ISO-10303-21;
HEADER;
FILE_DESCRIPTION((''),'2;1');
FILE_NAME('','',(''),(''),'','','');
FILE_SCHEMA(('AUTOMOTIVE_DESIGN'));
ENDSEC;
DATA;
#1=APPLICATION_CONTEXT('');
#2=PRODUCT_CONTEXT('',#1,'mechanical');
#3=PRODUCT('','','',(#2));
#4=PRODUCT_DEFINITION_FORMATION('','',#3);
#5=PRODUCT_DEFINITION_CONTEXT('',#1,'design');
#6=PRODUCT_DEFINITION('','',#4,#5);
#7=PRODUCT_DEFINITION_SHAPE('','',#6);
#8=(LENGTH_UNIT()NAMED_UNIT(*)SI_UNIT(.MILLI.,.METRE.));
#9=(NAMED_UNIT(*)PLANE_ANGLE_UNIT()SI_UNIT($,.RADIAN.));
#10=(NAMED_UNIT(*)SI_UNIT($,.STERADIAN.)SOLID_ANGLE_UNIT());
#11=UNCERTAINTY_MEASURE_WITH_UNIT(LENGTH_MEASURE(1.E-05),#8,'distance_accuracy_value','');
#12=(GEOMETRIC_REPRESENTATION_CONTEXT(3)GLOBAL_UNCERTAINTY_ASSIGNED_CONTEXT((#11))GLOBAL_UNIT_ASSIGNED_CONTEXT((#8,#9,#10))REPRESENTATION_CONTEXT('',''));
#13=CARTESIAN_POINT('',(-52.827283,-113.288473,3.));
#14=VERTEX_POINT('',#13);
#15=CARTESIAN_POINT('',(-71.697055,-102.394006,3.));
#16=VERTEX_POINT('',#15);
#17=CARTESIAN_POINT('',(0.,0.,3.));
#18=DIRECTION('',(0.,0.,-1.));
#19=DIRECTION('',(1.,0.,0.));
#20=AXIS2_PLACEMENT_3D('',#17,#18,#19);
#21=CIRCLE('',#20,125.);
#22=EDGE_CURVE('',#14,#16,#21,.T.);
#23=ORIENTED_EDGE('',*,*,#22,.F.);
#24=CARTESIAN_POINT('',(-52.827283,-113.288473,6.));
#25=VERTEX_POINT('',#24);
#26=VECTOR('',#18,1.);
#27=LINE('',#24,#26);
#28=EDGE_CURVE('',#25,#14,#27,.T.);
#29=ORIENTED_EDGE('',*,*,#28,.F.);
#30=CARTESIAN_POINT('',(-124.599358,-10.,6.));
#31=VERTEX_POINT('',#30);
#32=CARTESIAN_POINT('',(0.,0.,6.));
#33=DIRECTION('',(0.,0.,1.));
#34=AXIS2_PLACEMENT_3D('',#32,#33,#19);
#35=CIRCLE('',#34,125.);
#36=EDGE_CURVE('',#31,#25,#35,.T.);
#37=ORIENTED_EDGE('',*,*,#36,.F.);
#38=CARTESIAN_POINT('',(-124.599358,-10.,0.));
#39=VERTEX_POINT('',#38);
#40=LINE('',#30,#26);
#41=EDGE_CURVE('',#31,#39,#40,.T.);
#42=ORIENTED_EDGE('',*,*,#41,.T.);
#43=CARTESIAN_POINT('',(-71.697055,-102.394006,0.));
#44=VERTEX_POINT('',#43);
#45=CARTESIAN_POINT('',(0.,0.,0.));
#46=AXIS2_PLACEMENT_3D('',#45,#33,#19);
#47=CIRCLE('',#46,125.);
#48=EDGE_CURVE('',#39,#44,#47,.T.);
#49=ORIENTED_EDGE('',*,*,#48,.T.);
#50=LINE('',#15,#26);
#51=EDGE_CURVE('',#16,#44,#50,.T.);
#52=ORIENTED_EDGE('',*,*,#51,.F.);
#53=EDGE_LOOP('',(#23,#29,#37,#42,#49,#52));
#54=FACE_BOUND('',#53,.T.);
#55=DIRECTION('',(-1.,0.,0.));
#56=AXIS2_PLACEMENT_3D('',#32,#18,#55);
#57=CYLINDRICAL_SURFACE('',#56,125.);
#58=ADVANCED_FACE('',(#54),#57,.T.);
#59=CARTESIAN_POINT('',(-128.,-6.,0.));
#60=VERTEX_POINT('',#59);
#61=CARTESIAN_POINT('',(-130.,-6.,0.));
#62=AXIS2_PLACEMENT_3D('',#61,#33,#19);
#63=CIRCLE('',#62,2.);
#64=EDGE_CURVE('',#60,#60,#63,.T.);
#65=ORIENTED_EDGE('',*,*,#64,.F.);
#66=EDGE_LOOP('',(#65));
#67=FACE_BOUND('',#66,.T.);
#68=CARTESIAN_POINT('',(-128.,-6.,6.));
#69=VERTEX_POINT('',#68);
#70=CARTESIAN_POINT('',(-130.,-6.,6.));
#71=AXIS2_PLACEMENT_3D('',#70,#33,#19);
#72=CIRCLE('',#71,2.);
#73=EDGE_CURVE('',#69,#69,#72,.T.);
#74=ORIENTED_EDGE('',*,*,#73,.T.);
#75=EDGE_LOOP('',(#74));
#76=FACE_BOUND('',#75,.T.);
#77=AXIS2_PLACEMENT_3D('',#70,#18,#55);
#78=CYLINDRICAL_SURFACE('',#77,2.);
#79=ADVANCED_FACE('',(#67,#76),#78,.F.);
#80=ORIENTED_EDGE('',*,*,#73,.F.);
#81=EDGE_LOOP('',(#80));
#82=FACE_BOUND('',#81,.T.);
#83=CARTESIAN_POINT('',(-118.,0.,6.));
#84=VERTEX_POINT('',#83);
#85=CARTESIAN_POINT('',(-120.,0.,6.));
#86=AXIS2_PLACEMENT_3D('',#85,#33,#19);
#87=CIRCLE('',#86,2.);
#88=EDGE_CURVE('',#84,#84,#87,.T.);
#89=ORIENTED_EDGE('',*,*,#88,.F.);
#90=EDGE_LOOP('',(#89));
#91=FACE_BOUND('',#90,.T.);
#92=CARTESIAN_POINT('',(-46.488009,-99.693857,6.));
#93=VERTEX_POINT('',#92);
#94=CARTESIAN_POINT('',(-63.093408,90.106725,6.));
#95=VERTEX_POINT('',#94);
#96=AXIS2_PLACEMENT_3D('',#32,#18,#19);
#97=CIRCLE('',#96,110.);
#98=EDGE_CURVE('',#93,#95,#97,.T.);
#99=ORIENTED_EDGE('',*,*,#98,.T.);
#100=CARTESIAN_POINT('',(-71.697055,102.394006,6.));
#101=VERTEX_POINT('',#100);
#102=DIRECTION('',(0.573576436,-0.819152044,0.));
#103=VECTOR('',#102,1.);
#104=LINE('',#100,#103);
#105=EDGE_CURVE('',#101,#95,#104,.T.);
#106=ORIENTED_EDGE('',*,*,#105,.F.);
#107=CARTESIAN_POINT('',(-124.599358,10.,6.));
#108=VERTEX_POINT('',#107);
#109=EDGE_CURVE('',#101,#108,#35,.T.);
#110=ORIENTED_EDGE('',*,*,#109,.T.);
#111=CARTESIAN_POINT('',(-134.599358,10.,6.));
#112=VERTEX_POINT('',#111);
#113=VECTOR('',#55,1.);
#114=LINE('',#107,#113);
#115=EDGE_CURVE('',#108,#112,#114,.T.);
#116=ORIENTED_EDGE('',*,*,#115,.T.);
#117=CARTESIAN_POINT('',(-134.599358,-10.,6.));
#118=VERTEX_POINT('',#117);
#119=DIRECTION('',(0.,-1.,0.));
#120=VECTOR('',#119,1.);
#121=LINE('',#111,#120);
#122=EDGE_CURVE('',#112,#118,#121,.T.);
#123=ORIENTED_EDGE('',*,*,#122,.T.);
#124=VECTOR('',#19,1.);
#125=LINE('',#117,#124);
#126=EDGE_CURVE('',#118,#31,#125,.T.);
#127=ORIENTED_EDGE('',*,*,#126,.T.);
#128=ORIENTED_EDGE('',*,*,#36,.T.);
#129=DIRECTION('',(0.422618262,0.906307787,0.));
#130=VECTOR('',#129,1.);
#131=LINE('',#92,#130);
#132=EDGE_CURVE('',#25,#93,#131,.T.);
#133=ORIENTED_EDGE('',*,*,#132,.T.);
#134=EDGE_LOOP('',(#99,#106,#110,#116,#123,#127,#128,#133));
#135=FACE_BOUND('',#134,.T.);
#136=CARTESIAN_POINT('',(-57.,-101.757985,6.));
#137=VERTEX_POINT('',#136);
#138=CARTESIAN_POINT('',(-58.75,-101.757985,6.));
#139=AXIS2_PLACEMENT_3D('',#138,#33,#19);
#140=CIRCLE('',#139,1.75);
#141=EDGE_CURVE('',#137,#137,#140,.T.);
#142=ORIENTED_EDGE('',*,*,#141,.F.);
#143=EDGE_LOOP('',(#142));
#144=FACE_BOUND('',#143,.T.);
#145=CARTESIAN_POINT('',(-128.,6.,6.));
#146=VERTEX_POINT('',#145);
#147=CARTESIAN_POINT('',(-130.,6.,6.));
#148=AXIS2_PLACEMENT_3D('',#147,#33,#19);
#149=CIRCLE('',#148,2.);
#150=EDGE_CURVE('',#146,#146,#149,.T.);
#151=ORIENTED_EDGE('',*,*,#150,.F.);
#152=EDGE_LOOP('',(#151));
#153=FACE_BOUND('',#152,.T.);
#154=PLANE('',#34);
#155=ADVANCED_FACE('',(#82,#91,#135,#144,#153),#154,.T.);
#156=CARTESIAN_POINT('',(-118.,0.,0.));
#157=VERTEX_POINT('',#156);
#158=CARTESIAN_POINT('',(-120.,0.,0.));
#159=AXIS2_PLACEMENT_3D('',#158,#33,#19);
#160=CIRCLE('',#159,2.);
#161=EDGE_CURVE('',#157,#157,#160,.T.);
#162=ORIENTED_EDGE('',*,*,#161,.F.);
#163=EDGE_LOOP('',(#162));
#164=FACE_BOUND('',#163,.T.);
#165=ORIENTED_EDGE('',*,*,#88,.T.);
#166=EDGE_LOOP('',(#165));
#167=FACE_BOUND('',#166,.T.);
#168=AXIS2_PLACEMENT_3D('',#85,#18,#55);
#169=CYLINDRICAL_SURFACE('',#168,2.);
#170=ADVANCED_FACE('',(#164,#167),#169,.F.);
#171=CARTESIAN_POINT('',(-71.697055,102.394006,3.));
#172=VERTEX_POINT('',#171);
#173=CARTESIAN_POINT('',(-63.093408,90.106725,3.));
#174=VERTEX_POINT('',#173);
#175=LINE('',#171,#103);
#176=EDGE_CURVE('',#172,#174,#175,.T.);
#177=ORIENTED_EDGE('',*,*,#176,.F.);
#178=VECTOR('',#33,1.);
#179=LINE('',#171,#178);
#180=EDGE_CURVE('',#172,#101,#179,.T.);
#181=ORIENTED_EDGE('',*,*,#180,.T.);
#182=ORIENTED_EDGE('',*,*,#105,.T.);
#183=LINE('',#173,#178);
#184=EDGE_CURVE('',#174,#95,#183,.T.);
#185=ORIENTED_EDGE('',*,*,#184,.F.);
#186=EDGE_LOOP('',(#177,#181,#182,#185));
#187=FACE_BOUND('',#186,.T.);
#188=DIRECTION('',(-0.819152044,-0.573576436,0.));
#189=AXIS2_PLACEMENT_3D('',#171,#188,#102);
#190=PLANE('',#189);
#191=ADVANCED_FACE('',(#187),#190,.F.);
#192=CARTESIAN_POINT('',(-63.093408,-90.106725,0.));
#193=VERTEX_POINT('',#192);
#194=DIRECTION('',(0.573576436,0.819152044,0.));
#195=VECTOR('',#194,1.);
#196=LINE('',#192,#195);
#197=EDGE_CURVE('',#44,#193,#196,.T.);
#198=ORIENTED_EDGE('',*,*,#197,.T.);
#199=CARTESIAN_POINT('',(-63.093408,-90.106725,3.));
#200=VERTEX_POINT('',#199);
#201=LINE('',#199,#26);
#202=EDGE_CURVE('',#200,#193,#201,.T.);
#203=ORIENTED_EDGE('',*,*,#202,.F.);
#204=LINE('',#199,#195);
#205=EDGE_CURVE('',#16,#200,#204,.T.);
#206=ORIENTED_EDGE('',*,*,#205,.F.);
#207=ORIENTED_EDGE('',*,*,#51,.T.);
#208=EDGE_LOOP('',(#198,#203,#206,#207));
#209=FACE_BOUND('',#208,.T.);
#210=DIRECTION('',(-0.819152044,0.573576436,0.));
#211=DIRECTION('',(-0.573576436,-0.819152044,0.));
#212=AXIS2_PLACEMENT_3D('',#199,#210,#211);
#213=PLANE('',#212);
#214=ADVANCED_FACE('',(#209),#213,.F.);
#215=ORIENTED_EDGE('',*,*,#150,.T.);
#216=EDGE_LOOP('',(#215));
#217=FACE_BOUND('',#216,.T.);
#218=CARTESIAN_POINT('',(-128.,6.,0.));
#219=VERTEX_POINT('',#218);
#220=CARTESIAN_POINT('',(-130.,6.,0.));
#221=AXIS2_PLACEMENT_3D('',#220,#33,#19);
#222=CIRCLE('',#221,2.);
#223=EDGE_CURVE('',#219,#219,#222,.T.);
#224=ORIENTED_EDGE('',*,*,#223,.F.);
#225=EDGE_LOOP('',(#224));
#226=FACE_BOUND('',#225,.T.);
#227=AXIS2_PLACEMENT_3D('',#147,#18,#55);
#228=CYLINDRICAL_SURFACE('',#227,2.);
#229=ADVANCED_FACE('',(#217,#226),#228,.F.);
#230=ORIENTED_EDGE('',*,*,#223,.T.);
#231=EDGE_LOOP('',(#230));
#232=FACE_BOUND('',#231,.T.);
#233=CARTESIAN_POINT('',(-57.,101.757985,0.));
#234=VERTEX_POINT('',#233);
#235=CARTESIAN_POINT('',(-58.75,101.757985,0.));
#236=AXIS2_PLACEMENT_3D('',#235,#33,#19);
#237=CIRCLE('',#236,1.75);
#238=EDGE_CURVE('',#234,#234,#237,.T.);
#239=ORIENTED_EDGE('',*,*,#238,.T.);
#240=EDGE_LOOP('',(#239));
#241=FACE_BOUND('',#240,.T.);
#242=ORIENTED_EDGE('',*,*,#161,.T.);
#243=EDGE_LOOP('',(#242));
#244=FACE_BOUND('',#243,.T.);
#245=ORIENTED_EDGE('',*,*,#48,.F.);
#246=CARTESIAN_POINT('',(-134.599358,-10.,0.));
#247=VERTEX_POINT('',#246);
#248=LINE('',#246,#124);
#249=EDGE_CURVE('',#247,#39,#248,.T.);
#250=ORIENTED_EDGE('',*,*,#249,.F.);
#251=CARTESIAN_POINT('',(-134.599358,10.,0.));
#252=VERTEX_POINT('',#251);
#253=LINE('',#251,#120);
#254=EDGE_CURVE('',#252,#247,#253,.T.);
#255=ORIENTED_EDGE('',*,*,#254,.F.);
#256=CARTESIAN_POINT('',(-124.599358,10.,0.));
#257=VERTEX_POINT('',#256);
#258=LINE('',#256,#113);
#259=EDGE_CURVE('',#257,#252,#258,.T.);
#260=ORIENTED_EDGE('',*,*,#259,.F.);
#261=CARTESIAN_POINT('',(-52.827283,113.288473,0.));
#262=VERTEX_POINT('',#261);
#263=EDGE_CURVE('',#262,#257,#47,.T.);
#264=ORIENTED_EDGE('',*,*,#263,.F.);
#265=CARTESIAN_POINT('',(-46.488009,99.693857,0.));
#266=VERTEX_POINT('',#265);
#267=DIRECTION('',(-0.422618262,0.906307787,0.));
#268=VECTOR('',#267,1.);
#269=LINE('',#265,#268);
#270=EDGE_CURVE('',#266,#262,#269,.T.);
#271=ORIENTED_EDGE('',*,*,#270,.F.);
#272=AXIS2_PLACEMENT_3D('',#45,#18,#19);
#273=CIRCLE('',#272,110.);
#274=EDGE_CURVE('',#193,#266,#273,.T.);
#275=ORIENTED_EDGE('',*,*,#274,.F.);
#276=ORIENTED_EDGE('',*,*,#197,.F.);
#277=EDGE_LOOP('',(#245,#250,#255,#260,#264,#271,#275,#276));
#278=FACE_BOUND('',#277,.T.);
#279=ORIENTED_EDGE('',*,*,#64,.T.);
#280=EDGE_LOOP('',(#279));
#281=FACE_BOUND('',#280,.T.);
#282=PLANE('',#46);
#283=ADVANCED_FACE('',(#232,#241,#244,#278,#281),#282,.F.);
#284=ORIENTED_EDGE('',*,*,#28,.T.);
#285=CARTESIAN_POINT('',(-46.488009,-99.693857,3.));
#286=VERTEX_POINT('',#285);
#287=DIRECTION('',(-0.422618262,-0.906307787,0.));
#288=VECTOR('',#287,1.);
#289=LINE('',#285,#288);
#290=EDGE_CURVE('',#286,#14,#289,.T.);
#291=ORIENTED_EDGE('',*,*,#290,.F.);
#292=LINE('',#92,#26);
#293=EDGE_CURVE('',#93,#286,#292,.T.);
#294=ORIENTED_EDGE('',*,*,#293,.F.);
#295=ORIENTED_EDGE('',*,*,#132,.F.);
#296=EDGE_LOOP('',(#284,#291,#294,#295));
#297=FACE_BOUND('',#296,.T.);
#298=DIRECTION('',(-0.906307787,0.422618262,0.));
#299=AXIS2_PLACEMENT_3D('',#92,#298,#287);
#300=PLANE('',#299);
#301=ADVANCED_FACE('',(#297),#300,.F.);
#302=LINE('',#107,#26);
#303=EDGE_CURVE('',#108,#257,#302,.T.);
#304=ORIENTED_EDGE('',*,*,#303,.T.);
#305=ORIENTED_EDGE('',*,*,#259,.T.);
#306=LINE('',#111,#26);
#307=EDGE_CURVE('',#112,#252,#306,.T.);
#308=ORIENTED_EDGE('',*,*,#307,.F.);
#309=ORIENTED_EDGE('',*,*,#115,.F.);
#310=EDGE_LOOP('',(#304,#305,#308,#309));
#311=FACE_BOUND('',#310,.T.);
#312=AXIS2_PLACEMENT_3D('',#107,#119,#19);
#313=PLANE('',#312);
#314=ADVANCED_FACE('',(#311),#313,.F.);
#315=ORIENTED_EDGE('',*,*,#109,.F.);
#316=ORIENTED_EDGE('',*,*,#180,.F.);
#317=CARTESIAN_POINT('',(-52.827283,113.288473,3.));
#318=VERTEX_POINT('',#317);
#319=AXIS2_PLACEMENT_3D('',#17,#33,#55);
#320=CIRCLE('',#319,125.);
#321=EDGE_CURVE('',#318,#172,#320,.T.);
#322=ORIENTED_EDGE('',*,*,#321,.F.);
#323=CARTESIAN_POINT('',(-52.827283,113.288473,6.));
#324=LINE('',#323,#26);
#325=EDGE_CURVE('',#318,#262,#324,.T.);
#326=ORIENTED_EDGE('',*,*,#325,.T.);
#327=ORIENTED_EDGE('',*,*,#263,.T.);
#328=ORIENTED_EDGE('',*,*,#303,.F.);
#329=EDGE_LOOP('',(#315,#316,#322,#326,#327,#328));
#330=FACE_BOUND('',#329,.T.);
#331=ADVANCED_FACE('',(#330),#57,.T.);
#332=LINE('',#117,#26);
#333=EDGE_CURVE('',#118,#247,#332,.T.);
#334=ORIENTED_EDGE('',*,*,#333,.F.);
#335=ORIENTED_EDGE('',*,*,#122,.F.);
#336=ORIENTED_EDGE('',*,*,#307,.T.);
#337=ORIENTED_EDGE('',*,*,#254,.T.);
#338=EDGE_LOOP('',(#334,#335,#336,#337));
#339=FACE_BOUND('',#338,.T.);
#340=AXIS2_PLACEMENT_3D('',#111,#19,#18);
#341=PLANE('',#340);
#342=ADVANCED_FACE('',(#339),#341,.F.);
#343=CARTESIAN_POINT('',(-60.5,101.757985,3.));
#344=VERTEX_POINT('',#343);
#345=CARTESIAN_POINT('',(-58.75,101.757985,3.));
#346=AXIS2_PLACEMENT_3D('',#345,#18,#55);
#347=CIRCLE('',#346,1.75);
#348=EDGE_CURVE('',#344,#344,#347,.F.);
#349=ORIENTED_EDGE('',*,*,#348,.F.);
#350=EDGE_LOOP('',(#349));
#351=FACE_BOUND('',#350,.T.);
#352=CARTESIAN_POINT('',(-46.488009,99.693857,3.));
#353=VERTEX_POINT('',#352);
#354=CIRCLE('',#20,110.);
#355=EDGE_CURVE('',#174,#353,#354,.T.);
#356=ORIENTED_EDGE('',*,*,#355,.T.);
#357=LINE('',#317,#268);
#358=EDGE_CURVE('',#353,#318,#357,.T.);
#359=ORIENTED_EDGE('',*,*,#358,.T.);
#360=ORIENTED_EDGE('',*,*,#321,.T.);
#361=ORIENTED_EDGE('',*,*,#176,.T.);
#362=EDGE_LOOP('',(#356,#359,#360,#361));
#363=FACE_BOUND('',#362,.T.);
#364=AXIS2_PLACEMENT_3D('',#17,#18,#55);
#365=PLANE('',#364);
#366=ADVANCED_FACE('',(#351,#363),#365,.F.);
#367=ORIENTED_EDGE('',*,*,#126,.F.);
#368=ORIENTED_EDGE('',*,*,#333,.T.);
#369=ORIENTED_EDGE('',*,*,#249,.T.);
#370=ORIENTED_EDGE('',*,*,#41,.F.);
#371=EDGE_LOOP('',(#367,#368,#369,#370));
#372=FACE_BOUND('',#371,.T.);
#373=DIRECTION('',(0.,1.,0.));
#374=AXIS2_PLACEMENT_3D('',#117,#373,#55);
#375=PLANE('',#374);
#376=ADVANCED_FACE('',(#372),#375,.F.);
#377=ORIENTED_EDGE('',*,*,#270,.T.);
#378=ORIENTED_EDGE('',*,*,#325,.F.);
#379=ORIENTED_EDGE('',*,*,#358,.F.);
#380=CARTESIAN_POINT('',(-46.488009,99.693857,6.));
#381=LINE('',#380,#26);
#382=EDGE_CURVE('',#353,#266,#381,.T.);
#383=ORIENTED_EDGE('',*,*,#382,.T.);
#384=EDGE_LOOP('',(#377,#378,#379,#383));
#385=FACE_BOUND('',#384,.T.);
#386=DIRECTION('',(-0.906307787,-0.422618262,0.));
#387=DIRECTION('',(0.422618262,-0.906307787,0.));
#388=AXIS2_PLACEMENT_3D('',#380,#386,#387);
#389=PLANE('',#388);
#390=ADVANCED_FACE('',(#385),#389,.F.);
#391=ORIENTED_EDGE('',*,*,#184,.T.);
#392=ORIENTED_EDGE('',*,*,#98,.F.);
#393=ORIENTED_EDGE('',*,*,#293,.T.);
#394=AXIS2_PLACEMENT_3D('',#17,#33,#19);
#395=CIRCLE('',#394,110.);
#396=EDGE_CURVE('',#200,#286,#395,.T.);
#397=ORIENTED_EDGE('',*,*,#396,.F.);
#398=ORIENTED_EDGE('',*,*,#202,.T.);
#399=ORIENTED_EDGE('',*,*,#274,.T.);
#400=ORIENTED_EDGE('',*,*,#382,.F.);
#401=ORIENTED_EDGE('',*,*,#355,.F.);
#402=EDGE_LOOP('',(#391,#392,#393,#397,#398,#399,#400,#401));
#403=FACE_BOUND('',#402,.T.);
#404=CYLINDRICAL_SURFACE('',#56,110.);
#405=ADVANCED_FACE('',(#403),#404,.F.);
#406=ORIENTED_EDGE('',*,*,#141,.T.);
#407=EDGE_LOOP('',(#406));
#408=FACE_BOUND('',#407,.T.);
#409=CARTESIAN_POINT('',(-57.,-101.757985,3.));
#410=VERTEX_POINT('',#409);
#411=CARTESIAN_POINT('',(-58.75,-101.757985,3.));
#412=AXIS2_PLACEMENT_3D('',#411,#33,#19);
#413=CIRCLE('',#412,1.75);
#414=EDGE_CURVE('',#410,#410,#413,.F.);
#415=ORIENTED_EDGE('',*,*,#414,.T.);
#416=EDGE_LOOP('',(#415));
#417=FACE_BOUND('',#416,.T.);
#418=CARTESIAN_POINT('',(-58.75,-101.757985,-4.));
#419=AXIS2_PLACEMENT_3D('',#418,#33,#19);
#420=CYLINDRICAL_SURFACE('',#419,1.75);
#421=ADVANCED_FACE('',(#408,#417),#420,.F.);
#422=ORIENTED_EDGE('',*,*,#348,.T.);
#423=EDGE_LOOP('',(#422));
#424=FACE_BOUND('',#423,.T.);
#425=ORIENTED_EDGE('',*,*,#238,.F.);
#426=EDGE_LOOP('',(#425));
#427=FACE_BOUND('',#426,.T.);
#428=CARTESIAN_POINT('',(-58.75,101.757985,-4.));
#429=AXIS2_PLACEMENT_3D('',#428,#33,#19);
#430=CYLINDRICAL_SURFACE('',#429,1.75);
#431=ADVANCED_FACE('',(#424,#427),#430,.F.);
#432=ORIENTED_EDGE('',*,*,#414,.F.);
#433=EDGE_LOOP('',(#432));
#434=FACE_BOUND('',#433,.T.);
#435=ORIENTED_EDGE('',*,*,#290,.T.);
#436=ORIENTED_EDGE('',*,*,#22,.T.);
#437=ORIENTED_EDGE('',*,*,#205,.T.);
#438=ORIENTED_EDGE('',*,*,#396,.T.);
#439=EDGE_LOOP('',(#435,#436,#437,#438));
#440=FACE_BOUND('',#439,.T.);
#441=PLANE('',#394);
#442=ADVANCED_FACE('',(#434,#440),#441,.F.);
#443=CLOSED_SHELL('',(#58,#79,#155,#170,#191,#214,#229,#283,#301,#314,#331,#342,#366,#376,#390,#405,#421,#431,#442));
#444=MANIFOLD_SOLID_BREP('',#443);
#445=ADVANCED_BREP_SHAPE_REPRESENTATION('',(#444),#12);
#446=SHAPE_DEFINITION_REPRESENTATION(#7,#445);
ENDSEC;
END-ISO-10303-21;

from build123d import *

# Parameters (mm, degrees)
ESQUISSE1_R             = 2
BOSS_EXTRU_1_DEPTH      = 6
ESQUISSE3_R             = 1.75
ENL_V_MAT_EXTRU_1_DEPTH = 10
ENL_V_START             = -3
ENL_V_MAT_EXTRU_2_DEPTH = 3
ENL_V_MAT_EXTRU_3_DEPTH = 3


with BuildPart() as part:
    # Esquisse1 → Boss.-Extru.1 (new body)
    with BuildSketch(Plane.XY):
        with BuildLine():
            Line((-134.599357944, -10), (-124.599357944, -10))
            ThreePointArc((-124.599357944, -10), (-102.650769054, -71.328953537), (-52.827282718, -113.28847338))
            Line((-52.827282718, -113.28847338), (-46.488008791, -99.693856574))
            ThreePointArc((-46.488008791, -99.693856574), (-110, 0), (-46.488008791, 99.693856574))
            Line((-46.488008791, 99.693856574), (-52.827282718, 113.28847338))
            ThreePointArc((-52.827282718, 113.28847338), (-102.650769054, 71.328953537), (-124.599357944, 10))
            Line((-124.599357944, 10), (-134.599357944, 10))
            Line((-134.599357944, 10), (-134.599357944, -10))
        make_face()
        with Locations((-120, 0)):
            Circle(ESQUISSE1_R, mode=Mode.SUBTRACT)
        with Locations((-130, 6)):
            Circle(ESQUISSE1_R, mode=Mode.SUBTRACT)
        with Locations((-130, -6)):
            Circle(ESQUISSE1_R, mode=Mode.SUBTRACT)
    extrude(amount=BOSS_EXTRU_1_DEPTH)

    # Esquisse3 → Enlèv. mat.-Extru.1 (cut)
    with BuildSketch(Plane.XY.offset(6)):
        with Locations((-58.75, 101.757984945)):
            Circle(ESQUISSE3_R)
        with Locations((-58.75, -101.757984945)):
            Circle(ESQUISSE3_R)
    extrude(amount=-ENL_V_MAT_EXTRU_1_DEPTH, mode=Mode.SUBTRACT)

    # Esquisse4 → Enlèv. mat.-Extru.2 (cut)
    with BuildSketch(Plane.XY.offset(6).offset(ENL_V_START)):
        with BuildLine():
            Line((-71.697054544, 102.394005536), (-63.093407999, 90.106724872))
            ThreePointArc((-63.093407999, 90.106724872), (-55, 95.262794416), (-46.488008791, 99.693856574))
            Line((-46.488008791, 99.693856574), (-52.827282718, 113.28847338))
            ThreePointArc((-52.827282718, 113.28847338), (-62.5, 108.253175473), (-71.697054544, 102.394005536))
        make_face()
    extrude(amount=ENL_V_MAT_EXTRU_2_DEPTH, mode=Mode.SUBTRACT)

    # Esquisse6 → Enlèv. mat.-Extru.3 (cut)
    with BuildSketch(Plane(origin=(0, 0, 0), x_dir=(-1, 0, 0), z_dir=(0, 0, -1))):
        with BuildLine():
            Line((63.093407999, -90.106724872), (71.697054544, -102.394005536))
            ThreePointArc((71.697054544, -102.394005536), (62.5, -108.253175473), (52.827282718, -113.28847338))
            Line((52.827282718, -113.28847338), (46.488008791, -99.693856574))
            ThreePointArc((46.488008791, -99.693856574), (55, -95.262794416), (63.093407999, -90.106724872))
        make_face()
    extrude(amount=-ENL_V_MAT_EXTRU_3_DEPTH, mode=Mode.SUBTRACT)


solid = part.part
